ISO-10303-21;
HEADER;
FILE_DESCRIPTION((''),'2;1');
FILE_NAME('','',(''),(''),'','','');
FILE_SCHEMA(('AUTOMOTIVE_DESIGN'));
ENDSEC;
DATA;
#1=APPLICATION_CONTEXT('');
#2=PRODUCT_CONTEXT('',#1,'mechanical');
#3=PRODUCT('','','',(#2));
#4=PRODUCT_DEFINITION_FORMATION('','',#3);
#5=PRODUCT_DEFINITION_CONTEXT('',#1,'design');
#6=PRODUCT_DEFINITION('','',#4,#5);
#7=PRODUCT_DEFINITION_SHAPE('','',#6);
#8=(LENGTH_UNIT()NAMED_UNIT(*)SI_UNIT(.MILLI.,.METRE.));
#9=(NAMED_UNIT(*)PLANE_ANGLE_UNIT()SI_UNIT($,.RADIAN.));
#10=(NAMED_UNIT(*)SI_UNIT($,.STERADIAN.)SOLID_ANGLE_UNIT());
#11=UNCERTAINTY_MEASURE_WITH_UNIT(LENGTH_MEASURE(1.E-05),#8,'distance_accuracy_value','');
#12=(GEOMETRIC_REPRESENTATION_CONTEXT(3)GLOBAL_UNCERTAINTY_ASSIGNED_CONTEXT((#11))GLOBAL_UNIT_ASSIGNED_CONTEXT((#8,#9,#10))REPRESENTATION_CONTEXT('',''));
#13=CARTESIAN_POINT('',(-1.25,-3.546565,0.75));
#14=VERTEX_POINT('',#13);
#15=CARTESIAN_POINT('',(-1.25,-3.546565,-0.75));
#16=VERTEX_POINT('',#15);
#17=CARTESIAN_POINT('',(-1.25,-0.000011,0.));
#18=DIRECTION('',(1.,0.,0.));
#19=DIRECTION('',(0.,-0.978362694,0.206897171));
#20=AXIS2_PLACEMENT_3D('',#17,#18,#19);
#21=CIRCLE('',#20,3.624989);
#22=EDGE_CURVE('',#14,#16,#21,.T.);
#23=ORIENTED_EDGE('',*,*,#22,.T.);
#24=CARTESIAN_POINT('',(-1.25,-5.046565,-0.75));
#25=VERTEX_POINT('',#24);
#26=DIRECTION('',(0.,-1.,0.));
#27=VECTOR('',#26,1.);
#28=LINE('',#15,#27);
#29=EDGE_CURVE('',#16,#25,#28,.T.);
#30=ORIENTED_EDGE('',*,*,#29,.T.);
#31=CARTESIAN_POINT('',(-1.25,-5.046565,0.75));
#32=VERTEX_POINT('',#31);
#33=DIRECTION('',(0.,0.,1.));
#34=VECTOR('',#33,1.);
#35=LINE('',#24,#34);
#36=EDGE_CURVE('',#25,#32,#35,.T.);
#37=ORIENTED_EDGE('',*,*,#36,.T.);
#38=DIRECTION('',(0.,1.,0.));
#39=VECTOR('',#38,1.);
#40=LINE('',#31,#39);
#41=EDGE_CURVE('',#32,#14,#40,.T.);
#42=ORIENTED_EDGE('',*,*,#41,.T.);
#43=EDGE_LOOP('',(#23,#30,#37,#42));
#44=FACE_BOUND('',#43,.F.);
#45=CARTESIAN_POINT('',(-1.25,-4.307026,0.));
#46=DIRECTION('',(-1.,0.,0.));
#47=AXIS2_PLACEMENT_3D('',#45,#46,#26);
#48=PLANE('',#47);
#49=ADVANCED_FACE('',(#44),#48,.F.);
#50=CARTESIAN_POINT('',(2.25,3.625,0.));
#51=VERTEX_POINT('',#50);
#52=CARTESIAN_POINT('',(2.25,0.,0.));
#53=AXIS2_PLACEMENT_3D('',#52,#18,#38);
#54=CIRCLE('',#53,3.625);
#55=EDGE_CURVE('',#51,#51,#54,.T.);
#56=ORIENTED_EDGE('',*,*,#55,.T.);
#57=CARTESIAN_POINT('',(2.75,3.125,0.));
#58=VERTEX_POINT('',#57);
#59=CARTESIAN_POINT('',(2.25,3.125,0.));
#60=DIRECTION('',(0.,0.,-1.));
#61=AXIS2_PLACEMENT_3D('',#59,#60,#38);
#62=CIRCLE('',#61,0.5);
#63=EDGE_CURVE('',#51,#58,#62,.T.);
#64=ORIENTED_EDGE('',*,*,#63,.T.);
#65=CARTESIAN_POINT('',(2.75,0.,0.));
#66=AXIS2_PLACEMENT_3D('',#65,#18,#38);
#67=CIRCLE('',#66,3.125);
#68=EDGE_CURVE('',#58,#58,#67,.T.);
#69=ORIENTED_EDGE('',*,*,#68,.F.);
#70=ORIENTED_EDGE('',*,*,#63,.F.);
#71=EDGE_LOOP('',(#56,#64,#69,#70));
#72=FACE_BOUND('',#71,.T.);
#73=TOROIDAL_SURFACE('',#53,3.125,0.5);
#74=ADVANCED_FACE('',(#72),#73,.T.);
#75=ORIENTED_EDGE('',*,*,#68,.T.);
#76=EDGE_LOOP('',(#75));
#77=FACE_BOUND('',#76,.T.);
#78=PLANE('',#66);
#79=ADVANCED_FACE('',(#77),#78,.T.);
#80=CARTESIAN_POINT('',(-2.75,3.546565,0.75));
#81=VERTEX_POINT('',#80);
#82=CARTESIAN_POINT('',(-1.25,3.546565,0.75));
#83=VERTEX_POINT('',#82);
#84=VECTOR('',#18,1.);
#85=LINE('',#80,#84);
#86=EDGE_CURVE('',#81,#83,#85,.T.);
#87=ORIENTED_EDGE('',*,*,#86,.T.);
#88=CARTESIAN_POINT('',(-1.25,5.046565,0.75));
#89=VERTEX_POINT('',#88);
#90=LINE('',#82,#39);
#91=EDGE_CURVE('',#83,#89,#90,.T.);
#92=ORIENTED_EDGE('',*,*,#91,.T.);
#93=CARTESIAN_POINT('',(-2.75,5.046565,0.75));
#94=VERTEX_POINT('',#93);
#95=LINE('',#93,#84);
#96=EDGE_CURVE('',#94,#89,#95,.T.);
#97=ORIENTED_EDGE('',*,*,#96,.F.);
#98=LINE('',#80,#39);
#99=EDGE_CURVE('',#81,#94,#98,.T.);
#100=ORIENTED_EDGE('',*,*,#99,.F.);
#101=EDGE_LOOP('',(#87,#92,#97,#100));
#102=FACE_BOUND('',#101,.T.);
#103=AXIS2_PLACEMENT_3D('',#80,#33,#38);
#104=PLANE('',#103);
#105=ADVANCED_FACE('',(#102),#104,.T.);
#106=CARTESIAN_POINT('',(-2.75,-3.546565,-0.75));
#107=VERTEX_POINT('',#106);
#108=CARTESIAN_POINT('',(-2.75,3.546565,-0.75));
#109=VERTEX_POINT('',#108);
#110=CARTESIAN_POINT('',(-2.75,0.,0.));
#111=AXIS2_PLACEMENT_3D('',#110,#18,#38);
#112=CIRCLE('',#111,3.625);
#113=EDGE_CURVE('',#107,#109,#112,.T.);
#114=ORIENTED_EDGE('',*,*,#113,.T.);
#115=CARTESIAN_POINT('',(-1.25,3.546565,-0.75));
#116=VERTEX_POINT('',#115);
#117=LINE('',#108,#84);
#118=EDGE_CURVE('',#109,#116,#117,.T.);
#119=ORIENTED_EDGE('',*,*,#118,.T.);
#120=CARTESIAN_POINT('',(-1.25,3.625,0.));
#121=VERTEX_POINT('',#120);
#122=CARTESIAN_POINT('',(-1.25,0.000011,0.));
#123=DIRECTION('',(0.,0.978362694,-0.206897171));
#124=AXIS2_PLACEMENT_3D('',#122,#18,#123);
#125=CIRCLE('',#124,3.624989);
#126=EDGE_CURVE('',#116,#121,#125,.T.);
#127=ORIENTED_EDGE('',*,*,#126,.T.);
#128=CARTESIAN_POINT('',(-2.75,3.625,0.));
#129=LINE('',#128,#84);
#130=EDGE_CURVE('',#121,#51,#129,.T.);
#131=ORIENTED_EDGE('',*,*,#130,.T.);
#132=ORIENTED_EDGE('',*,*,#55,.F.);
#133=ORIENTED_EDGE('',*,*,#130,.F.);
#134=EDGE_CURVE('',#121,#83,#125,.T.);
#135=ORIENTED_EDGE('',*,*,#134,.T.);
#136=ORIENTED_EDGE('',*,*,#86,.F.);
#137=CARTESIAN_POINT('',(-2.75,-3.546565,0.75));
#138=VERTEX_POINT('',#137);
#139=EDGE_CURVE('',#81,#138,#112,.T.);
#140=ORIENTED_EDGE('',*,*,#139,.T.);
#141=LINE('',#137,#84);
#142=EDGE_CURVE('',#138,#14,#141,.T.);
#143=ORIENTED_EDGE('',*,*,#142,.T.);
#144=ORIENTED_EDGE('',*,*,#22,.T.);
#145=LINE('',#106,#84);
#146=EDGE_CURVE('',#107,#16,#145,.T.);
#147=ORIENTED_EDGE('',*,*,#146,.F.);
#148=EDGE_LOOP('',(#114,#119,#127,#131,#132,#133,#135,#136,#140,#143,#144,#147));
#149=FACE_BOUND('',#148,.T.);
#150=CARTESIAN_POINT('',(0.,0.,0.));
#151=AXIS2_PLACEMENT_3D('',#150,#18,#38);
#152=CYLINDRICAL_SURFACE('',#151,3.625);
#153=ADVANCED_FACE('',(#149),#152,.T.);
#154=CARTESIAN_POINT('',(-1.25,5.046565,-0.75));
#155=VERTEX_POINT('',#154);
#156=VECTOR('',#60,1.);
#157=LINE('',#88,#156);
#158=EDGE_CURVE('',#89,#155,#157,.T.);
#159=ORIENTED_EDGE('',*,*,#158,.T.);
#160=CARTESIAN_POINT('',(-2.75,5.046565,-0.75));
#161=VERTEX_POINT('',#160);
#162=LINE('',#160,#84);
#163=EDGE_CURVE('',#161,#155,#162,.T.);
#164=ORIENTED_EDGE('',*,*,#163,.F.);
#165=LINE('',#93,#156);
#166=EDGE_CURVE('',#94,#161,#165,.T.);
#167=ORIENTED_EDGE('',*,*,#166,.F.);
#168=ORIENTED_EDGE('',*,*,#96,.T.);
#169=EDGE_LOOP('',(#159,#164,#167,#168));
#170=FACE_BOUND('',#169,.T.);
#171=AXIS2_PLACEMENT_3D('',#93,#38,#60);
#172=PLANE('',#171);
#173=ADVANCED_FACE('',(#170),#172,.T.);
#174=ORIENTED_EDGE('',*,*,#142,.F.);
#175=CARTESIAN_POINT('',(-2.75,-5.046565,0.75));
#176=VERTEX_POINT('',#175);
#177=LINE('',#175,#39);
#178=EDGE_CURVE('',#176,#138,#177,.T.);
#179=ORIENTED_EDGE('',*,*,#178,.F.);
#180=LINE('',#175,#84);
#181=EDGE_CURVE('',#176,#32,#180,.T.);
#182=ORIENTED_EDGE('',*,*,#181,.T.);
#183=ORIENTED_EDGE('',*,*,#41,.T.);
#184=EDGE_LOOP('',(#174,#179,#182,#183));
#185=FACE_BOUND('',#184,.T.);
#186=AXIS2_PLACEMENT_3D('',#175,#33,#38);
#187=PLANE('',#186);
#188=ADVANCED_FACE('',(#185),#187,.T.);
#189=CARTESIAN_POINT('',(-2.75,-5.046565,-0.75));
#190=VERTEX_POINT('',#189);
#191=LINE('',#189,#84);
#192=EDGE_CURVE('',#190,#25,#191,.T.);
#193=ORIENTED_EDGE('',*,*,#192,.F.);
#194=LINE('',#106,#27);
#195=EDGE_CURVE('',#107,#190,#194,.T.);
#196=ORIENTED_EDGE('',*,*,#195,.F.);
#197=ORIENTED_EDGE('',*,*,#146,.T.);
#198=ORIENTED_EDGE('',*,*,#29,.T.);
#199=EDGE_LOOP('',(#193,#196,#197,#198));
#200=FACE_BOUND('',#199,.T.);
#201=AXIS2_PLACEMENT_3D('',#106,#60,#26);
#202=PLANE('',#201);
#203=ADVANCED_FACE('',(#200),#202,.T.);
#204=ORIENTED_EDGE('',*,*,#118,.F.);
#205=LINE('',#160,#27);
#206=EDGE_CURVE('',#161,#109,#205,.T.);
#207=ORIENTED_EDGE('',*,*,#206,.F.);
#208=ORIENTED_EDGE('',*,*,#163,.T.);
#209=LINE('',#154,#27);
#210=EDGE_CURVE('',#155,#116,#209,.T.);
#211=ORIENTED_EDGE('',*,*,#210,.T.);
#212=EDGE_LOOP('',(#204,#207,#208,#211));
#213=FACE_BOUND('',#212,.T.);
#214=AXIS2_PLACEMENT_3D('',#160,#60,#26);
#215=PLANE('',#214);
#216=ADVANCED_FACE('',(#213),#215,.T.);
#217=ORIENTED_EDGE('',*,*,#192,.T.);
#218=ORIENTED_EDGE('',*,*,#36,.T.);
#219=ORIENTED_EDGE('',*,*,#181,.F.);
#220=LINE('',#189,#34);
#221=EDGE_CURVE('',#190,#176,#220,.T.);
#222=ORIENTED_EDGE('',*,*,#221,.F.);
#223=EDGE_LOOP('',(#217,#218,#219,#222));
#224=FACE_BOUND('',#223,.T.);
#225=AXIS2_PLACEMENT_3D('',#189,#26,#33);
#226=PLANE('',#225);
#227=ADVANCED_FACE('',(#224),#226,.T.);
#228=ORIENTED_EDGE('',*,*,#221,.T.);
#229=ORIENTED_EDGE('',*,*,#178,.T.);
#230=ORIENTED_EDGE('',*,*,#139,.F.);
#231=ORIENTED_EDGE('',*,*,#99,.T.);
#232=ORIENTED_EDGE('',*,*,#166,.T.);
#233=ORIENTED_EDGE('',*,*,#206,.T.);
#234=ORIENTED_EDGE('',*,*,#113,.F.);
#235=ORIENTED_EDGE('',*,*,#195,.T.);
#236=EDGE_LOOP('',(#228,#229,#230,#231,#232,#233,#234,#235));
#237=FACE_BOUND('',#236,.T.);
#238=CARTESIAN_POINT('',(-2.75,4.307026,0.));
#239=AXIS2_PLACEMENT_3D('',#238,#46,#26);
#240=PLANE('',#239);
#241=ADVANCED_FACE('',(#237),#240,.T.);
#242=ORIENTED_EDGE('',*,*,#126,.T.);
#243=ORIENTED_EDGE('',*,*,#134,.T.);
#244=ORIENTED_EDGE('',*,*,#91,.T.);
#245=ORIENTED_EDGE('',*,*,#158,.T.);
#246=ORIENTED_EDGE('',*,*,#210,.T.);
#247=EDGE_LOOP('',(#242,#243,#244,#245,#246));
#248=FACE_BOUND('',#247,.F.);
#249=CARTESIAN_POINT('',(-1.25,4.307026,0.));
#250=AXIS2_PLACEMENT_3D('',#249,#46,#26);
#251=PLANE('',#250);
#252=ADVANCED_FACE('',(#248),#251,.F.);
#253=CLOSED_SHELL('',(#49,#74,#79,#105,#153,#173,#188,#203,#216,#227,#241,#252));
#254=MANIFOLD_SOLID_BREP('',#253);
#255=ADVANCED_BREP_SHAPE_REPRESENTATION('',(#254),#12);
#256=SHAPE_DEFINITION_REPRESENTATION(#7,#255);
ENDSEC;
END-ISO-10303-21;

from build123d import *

# Parameters (mm, degrees)
F0_R     = 3.625
F1_DEPTH = 2.75
F2_R     = 0.5
F4_DEPTH = 1.5


with BuildPart() as f1:
    # F0 (on Right) → F1 (new body, symmetric)
    with BuildSketch(Plane.YZ):
        Circle(F0_R)
    extrude(amount=F1_DEPTH, both=True)

    # F2
    f2_edges = [f1.edges().sort_by_distance(p)[0] for p in [
        (2.75, -3.625, 0),
    ]]
    fillet(f2_edges, radius=F2_R)

    # F3 (on face) → F4 (join)
    with BuildSketch(Plane(origin=(-2.75, 0, 0), x_dir=(0, -1, 0), z_dir=(-1, 0, 0))):
        with BuildLine():
            Line((3.546565, -0.75), (5.046565, -0.75))
            Line((5.046565, -0.75), (5.046565, 0.75))
            Line((5.046565, 0.75), (3.546565, 0.75))
            ThreePointArc((3.546565, 0.75), (3.625, 0), (3.546565, -0.75))
        make_face()
        with BuildLine():
            Line((-3.546565, 0.75), (-5.046565, 0.75))
            Line((-5.046565, 0.75), (-5.046565, -0.75))
            Line((-5.046565, -0.75), (-3.546565, -0.75))
            ThreePointArc((-3.546565, -0.75), (-3.625, 0), (-3.546565, 0.75))
        make_face()
    extrude(amount=-F4_DEPTH)


solid = f1.part
